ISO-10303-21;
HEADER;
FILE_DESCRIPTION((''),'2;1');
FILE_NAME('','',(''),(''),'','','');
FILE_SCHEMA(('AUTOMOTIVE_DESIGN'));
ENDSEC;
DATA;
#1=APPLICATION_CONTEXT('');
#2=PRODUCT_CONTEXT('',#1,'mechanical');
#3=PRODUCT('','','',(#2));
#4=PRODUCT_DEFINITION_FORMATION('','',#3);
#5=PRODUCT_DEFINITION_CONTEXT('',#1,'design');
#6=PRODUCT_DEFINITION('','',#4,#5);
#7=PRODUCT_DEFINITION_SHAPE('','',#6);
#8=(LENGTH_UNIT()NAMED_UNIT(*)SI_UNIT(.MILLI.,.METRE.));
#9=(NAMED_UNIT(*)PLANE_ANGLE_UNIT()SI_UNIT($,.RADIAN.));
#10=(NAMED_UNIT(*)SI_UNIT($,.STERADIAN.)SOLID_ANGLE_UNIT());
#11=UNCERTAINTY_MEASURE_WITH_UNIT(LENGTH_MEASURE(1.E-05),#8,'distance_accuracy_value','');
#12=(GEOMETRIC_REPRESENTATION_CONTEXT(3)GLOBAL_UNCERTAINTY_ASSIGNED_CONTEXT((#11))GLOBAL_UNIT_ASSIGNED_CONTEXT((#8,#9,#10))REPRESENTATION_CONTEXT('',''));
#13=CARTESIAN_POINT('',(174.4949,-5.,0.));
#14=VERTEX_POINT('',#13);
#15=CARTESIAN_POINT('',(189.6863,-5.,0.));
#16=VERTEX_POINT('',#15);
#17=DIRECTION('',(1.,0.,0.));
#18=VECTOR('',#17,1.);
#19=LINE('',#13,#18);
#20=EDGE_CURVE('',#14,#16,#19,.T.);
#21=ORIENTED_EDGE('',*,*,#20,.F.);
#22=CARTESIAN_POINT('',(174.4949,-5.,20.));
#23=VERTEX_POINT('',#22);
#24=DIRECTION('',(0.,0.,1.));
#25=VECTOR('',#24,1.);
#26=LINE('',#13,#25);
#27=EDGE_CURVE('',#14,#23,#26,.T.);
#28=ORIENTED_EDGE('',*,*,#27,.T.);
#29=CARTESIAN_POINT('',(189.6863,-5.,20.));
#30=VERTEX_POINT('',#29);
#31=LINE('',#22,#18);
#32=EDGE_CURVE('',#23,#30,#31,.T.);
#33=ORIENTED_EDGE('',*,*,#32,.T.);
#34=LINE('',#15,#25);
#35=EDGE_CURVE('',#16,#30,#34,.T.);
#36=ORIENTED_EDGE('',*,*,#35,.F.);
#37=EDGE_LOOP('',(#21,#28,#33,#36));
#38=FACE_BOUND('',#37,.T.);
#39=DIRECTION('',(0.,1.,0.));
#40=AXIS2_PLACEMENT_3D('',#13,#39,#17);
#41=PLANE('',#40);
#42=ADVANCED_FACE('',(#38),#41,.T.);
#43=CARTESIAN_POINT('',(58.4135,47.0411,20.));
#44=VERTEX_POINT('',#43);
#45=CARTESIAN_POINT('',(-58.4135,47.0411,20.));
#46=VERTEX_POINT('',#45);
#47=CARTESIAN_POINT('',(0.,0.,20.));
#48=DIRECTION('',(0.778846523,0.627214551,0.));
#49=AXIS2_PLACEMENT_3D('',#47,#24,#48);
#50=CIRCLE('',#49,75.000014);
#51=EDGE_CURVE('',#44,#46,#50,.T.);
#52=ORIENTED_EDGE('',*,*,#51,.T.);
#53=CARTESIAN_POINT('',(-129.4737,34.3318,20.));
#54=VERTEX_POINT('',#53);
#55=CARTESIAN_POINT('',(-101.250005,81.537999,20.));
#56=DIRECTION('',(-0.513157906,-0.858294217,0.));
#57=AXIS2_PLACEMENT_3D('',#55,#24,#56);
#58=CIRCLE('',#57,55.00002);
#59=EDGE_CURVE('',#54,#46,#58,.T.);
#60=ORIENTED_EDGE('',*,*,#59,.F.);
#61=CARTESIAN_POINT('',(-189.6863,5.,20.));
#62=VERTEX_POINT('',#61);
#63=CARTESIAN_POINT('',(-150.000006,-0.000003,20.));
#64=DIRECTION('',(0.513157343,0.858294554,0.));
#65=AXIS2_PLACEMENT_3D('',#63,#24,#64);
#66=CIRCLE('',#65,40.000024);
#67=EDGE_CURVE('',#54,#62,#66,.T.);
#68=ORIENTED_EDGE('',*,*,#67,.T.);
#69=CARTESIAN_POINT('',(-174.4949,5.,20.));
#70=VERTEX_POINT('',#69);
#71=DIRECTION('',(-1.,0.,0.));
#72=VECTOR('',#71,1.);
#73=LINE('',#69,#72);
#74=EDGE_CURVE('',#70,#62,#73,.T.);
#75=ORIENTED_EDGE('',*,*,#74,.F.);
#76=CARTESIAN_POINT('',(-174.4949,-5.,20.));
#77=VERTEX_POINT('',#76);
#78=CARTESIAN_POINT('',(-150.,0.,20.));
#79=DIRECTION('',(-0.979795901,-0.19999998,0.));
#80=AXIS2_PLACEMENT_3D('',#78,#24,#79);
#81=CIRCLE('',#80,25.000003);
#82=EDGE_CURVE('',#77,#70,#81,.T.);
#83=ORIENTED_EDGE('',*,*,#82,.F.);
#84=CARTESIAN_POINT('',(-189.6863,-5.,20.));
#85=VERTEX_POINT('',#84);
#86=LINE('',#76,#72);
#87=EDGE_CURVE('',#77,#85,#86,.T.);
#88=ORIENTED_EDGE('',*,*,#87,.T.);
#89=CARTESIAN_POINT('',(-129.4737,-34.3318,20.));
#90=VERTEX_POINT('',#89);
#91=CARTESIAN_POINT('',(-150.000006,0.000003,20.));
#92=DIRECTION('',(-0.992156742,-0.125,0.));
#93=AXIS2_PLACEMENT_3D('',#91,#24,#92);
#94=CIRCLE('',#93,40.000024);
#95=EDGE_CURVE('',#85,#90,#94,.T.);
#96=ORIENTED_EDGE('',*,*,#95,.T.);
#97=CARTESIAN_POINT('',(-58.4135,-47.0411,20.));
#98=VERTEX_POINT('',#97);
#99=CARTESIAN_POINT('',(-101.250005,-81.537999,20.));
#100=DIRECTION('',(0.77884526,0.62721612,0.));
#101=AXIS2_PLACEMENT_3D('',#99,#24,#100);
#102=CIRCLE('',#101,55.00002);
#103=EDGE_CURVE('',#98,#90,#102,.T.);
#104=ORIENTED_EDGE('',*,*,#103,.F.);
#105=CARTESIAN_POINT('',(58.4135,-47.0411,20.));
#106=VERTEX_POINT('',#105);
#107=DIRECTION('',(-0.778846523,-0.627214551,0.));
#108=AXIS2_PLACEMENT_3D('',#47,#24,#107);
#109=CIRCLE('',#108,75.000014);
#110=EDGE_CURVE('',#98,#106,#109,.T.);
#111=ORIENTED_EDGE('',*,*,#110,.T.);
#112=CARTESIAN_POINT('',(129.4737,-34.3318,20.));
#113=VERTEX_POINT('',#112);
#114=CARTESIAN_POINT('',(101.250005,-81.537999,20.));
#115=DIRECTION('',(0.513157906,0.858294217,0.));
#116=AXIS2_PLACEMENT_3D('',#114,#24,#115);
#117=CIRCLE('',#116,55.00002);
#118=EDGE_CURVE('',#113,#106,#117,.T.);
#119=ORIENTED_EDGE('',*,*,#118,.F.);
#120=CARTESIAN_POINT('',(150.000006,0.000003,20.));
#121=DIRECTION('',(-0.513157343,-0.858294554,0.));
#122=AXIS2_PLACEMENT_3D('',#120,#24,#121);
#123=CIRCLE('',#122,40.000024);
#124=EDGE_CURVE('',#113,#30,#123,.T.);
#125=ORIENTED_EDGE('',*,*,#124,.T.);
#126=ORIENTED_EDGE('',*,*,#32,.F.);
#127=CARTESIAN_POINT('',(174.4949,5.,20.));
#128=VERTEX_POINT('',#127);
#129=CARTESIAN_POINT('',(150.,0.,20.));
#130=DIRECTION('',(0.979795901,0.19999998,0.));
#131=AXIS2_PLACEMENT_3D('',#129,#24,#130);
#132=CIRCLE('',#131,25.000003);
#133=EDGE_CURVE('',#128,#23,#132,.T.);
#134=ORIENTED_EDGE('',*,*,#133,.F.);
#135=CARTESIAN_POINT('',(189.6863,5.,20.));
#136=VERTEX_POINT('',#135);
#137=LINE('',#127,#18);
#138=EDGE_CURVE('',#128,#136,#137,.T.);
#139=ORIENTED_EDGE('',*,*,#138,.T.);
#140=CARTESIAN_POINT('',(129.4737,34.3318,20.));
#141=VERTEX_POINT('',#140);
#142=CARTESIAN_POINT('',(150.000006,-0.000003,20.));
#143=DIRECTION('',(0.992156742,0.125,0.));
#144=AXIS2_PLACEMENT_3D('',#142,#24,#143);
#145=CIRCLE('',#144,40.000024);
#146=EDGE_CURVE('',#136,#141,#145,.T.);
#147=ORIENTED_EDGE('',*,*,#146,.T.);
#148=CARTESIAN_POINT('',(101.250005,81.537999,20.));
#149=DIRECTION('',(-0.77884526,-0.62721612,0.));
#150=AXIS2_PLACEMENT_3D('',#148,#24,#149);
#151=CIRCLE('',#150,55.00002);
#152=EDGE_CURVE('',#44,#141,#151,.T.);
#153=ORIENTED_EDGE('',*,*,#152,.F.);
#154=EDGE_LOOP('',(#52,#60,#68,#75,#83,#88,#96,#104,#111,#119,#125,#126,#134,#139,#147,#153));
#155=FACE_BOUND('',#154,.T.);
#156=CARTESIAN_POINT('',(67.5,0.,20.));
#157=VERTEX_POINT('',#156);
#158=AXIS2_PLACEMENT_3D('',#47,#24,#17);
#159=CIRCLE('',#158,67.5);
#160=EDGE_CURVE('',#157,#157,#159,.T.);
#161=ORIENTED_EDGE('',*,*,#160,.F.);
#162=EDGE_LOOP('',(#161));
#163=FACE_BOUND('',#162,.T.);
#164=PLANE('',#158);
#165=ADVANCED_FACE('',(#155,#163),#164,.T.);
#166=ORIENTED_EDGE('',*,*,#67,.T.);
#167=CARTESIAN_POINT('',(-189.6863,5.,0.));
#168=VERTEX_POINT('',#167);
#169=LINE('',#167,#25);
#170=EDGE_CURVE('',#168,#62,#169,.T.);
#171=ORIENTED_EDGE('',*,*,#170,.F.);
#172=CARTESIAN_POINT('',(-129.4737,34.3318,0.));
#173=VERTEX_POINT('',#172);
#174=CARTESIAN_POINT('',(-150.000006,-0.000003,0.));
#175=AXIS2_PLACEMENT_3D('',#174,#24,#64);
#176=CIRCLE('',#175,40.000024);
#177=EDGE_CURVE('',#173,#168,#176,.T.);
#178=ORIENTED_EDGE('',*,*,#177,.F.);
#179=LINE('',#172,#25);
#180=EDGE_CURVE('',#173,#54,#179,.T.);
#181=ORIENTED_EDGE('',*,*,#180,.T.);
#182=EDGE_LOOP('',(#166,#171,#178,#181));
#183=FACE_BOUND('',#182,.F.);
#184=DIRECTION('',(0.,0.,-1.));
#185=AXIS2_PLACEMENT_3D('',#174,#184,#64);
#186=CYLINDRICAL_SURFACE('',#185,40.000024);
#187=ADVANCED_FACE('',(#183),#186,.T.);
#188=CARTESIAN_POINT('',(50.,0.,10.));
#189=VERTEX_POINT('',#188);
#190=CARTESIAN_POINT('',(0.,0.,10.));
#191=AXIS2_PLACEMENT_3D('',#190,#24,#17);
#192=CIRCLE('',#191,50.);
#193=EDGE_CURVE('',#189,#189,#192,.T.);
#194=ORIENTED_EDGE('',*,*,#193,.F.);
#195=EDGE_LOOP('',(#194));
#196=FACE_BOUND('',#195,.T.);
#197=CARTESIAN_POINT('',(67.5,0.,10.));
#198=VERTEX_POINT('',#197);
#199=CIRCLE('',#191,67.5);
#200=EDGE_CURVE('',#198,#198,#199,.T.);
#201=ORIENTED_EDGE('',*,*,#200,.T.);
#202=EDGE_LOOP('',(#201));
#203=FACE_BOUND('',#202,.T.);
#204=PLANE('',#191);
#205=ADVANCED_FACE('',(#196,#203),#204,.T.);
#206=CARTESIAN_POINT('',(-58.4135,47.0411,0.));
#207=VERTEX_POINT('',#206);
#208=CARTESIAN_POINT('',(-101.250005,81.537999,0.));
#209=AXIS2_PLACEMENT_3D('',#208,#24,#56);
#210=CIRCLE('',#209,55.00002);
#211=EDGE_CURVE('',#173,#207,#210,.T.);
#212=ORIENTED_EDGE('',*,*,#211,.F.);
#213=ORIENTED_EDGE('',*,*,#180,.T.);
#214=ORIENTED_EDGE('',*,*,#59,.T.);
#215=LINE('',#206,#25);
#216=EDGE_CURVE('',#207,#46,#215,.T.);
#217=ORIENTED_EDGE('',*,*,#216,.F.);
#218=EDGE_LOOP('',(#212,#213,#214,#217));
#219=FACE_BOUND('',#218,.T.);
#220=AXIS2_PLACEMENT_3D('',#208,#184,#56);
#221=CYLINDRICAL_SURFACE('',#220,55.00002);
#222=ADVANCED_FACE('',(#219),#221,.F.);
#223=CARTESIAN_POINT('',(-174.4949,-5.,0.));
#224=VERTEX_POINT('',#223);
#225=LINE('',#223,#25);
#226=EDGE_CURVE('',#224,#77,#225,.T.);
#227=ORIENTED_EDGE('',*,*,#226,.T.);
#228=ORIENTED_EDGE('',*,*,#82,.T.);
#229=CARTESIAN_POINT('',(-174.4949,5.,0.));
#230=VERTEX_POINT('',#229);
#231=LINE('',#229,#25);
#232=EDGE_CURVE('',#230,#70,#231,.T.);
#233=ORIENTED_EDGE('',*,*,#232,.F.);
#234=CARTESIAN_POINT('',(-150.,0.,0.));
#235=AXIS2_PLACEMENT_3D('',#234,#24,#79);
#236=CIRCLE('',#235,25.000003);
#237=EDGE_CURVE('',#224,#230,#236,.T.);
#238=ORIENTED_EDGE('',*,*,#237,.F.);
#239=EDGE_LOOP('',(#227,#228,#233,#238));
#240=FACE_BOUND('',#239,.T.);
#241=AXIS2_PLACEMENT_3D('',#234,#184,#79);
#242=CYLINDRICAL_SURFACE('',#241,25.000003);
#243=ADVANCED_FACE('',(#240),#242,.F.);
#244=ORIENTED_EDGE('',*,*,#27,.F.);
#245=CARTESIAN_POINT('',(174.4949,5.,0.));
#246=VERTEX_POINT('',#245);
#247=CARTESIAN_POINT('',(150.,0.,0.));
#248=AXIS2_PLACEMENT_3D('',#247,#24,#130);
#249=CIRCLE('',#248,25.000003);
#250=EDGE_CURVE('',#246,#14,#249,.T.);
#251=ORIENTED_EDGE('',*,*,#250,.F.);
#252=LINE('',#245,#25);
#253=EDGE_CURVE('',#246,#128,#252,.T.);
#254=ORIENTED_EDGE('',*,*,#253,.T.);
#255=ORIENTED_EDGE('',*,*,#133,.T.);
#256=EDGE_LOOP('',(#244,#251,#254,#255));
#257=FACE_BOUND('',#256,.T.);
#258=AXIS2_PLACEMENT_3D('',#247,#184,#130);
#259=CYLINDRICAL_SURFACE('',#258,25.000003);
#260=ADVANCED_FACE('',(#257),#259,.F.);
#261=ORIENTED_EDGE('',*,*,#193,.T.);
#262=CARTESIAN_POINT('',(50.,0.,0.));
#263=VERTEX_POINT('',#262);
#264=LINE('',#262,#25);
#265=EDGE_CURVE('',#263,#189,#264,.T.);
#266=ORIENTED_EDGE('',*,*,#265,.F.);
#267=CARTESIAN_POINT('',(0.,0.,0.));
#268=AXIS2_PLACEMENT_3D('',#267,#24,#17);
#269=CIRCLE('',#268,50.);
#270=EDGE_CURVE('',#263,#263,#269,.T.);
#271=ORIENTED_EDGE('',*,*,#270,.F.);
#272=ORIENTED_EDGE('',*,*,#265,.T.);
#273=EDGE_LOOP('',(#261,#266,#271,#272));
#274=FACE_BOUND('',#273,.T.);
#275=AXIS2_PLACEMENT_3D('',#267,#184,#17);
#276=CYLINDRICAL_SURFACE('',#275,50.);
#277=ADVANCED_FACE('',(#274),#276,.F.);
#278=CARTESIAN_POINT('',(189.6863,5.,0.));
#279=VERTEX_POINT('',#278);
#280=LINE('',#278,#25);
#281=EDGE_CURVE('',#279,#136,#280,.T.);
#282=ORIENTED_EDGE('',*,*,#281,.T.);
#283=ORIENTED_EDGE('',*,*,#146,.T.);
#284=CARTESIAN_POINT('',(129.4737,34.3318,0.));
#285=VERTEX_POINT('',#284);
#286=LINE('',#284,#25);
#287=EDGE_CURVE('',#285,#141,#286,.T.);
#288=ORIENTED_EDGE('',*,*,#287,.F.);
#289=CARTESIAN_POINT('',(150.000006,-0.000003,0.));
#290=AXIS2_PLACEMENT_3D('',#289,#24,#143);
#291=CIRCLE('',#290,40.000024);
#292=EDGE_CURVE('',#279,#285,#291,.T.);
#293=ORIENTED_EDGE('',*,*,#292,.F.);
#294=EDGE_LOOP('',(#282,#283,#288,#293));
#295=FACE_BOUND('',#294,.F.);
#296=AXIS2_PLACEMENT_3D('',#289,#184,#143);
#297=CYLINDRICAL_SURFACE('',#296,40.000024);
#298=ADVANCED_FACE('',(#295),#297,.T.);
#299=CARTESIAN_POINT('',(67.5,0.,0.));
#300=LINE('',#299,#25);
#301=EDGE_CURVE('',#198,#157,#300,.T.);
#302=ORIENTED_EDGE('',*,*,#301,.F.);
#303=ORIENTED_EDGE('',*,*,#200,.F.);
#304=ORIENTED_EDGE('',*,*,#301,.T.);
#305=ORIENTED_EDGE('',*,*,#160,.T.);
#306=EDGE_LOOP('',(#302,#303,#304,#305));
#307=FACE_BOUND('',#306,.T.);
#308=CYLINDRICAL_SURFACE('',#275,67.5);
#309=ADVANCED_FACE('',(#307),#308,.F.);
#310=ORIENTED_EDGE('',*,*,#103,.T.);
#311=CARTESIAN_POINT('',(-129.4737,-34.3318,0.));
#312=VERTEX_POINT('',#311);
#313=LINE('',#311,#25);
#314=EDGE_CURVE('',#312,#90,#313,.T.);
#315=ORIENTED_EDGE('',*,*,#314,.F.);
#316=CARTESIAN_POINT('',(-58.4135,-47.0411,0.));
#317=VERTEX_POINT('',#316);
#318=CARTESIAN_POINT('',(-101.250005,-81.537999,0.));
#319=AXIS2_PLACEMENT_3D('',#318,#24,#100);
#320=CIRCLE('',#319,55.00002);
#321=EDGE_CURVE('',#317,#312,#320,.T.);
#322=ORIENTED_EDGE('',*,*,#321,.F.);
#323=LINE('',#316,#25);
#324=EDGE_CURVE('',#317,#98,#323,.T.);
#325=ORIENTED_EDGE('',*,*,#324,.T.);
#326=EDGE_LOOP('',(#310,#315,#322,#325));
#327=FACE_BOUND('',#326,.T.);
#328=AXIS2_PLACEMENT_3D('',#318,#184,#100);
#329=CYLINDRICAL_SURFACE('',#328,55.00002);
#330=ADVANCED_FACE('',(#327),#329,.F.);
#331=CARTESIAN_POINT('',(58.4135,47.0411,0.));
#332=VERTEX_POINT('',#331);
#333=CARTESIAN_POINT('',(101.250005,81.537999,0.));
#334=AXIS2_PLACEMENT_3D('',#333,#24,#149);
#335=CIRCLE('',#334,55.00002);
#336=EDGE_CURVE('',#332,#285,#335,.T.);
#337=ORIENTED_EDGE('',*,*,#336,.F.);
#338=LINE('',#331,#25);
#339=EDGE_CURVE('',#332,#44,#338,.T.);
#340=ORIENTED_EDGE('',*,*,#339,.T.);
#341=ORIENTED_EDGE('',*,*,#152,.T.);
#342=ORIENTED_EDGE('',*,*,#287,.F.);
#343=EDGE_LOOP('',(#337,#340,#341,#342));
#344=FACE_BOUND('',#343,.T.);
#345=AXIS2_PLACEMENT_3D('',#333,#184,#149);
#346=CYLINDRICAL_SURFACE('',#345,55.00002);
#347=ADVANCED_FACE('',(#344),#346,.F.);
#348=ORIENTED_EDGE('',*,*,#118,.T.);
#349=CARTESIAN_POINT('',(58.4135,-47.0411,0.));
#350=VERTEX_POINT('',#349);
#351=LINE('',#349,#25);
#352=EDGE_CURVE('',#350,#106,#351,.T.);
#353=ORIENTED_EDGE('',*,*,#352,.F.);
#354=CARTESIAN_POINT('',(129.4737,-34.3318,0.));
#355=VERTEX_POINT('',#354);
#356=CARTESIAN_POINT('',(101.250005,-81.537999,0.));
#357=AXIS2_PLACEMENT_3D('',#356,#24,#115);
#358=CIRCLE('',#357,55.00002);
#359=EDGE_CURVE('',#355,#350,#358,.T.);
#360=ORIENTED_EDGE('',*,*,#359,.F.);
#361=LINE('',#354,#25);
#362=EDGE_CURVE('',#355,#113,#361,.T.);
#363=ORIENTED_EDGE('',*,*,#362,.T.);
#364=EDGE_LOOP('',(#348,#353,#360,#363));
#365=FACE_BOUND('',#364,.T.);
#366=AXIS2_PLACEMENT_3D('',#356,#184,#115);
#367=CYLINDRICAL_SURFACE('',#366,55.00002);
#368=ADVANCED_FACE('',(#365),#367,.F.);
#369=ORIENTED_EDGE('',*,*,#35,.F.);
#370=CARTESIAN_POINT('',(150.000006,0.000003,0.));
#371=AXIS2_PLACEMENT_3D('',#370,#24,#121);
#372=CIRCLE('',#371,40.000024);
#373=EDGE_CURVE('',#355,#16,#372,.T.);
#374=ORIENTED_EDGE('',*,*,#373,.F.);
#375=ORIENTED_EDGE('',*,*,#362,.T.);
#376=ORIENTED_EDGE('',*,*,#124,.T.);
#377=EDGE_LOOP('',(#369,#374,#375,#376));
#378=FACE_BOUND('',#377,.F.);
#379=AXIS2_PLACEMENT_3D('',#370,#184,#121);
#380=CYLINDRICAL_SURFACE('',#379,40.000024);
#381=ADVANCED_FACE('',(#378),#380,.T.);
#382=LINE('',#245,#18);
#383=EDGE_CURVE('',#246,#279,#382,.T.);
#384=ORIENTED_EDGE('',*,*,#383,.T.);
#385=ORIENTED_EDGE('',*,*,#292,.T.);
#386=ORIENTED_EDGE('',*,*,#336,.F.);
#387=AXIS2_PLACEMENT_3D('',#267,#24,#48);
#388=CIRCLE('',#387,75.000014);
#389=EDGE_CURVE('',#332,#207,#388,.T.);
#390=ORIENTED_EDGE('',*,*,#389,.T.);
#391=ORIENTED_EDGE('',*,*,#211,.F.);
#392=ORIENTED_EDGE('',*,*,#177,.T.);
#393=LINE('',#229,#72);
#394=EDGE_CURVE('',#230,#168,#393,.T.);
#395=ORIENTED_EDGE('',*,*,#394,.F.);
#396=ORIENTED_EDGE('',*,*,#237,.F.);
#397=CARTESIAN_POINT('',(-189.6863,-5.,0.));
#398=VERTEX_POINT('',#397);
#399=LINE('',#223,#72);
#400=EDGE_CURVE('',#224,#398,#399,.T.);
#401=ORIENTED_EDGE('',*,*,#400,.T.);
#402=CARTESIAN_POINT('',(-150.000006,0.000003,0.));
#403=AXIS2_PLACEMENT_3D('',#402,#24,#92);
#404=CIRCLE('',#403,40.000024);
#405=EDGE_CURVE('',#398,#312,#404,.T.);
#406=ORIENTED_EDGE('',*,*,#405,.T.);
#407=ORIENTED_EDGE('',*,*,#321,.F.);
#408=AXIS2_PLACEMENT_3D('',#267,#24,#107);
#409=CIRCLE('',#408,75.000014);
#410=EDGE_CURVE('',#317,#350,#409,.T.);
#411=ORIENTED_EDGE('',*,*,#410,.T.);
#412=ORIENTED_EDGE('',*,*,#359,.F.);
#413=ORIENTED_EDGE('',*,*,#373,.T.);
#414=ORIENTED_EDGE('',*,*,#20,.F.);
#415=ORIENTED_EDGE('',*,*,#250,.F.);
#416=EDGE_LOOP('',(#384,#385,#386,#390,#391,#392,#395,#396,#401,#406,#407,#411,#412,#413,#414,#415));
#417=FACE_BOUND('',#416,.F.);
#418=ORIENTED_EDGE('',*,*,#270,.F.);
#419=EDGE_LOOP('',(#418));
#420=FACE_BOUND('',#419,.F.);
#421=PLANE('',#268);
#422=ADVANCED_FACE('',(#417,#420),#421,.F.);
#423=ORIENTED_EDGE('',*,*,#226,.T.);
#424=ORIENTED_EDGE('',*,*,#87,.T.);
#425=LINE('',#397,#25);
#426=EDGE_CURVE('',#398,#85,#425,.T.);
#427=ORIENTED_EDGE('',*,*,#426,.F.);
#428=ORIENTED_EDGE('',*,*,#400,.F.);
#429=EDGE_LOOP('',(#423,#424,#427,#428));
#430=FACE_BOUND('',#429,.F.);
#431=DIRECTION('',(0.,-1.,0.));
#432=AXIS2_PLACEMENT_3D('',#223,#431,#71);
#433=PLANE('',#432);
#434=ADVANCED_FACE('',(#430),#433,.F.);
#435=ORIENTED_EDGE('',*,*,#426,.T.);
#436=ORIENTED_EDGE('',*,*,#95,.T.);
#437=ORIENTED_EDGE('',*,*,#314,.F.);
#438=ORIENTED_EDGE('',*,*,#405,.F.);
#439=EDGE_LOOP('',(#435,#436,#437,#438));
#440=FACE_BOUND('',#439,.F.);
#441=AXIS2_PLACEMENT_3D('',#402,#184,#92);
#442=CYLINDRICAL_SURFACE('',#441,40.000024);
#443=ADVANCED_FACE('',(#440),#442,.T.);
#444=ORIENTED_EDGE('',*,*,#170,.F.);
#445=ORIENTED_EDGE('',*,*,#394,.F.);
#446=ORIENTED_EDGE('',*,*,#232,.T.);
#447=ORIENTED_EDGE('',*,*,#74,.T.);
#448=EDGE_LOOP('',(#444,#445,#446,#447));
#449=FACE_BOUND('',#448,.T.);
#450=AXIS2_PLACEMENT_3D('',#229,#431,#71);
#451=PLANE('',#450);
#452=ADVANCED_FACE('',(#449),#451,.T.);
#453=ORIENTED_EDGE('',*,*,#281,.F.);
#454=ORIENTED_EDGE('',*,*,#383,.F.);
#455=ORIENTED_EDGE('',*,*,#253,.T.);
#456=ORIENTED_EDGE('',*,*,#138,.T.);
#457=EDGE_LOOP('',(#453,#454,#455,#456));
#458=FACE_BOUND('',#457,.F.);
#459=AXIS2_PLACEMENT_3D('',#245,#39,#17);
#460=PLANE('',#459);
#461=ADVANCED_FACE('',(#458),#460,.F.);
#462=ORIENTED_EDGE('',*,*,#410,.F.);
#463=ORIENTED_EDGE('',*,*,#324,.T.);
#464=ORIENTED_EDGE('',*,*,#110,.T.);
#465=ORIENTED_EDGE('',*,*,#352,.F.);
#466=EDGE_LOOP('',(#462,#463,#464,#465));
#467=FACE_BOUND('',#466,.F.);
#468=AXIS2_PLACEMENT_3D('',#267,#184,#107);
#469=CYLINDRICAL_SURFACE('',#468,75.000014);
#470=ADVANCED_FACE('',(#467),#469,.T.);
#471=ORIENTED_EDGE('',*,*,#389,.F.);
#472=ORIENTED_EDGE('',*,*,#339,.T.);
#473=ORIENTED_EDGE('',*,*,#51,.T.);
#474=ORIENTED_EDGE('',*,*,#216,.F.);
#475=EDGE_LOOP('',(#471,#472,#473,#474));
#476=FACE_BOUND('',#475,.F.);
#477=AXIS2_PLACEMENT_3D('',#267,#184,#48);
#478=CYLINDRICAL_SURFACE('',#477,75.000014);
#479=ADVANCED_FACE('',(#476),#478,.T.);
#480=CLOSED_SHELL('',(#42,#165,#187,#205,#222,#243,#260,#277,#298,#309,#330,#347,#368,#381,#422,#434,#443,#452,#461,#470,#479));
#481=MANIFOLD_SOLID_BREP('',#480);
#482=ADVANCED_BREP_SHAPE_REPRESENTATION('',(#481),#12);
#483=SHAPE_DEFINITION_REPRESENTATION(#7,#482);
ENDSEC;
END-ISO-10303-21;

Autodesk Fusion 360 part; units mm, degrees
sketch "Sketch2" plane through (0, 0, 0) normal (0, 0, 1) x (1, 0, 0)
  circle A0 centre (0, 0) radius 50
  circle A1 centre (0, 0) radius 67.5
  line L0 (0, 0) -> (150, 0) construction
  line L1 (0, 0) -> (-150, 0) construction
  line L2 (-150, 0) -> (-150, 5) construction
  line L3 (-150, 0) -> (-150, -5) construction
  line L4 (-174.4949, 5) -> (-189.6863, 5)
  line L5 (-174.4949, -5) -> (-189.6863, -5)
  line L6 (150, 0) -> (150, 5) construction
  line L7 (150, 0) -> (150, -5) construction
  line L8 (174.4949, 5) -> (189.6863, 5)
  line L9 (174.4949, -5) -> (189.6863, -5)
  arc A2 (-174.4949, -5) -> (-174.4949, 5) centre (-150, 0) ccw
  arc A3 (174.4949, 5) -> (174.4949, -5) centre (150, 0) ccw
  arc A4 (-129.4737, 34.3318) -> (-58.4135, 47.0411) centre (-101.25, 81.538) ccw
  arc A5 (-58.4135, -47.0411) -> (-129.4737, -34.3318) centre (-101.25, -81.538) ccw
  arc A6 (129.4737, -34.3318) -> (58.4135, -47.0411) centre (101.25, -81.538) ccw
  arc A7 (58.4135, 47.0411) -> (129.4737, 34.3318) centre (101.25, 81.538) ccw
  arc A8 (-189.6863, -5) -> (-129.4737, -34.3318) centre (-150, 0) ccw
  arc A9 (-129.4737, 34.3318) -> (-189.6863, 5) centre (-150, 0) ccw
  arc A10 (189.6863, 5) -> (129.4737, 34.3318) centre (150, 0) ccw
  arc A11 (129.4737, -34.3318) -> (189.6863, -5) centre (150, 0) ccw
  arc A12 (-58.4135, -47.0411) -> (58.4135, -47.0411) centre (0, 0) ccw
  arc A13 (58.4135, 47.0411) -> (-58.4135, 47.0411) centre (0, 0) ccw
  dimension "d13" = 100
  dimension "d14" = 135
  dimension "d15" = 150
  dimension "d16" = 150
  dimension "d17" = 150
  dimension "d18" = 50
  dimension "d19" = 80
  dimension "d20" = 50
  dimension "d21" = 80
  dimension "d22" = 5
  dimension "d23" = 5
  dimension "d24" = 5
  dimension "d25" = 5
  dimension "d26" = 110
  dimension "d27" = 110
  dimension "d28" = 110
  dimension "d30" = 110
extrude "Extrude2" add sketch "Sketch2" along normal blind 10 contours A1
extrude "Extrude3" add sketch "Sketch2" along normal blind 20 contours L4 L5 L8 L9 A2 A3 A4 A5 A6 A7 A8 A9 A10 A11 A12 A13
